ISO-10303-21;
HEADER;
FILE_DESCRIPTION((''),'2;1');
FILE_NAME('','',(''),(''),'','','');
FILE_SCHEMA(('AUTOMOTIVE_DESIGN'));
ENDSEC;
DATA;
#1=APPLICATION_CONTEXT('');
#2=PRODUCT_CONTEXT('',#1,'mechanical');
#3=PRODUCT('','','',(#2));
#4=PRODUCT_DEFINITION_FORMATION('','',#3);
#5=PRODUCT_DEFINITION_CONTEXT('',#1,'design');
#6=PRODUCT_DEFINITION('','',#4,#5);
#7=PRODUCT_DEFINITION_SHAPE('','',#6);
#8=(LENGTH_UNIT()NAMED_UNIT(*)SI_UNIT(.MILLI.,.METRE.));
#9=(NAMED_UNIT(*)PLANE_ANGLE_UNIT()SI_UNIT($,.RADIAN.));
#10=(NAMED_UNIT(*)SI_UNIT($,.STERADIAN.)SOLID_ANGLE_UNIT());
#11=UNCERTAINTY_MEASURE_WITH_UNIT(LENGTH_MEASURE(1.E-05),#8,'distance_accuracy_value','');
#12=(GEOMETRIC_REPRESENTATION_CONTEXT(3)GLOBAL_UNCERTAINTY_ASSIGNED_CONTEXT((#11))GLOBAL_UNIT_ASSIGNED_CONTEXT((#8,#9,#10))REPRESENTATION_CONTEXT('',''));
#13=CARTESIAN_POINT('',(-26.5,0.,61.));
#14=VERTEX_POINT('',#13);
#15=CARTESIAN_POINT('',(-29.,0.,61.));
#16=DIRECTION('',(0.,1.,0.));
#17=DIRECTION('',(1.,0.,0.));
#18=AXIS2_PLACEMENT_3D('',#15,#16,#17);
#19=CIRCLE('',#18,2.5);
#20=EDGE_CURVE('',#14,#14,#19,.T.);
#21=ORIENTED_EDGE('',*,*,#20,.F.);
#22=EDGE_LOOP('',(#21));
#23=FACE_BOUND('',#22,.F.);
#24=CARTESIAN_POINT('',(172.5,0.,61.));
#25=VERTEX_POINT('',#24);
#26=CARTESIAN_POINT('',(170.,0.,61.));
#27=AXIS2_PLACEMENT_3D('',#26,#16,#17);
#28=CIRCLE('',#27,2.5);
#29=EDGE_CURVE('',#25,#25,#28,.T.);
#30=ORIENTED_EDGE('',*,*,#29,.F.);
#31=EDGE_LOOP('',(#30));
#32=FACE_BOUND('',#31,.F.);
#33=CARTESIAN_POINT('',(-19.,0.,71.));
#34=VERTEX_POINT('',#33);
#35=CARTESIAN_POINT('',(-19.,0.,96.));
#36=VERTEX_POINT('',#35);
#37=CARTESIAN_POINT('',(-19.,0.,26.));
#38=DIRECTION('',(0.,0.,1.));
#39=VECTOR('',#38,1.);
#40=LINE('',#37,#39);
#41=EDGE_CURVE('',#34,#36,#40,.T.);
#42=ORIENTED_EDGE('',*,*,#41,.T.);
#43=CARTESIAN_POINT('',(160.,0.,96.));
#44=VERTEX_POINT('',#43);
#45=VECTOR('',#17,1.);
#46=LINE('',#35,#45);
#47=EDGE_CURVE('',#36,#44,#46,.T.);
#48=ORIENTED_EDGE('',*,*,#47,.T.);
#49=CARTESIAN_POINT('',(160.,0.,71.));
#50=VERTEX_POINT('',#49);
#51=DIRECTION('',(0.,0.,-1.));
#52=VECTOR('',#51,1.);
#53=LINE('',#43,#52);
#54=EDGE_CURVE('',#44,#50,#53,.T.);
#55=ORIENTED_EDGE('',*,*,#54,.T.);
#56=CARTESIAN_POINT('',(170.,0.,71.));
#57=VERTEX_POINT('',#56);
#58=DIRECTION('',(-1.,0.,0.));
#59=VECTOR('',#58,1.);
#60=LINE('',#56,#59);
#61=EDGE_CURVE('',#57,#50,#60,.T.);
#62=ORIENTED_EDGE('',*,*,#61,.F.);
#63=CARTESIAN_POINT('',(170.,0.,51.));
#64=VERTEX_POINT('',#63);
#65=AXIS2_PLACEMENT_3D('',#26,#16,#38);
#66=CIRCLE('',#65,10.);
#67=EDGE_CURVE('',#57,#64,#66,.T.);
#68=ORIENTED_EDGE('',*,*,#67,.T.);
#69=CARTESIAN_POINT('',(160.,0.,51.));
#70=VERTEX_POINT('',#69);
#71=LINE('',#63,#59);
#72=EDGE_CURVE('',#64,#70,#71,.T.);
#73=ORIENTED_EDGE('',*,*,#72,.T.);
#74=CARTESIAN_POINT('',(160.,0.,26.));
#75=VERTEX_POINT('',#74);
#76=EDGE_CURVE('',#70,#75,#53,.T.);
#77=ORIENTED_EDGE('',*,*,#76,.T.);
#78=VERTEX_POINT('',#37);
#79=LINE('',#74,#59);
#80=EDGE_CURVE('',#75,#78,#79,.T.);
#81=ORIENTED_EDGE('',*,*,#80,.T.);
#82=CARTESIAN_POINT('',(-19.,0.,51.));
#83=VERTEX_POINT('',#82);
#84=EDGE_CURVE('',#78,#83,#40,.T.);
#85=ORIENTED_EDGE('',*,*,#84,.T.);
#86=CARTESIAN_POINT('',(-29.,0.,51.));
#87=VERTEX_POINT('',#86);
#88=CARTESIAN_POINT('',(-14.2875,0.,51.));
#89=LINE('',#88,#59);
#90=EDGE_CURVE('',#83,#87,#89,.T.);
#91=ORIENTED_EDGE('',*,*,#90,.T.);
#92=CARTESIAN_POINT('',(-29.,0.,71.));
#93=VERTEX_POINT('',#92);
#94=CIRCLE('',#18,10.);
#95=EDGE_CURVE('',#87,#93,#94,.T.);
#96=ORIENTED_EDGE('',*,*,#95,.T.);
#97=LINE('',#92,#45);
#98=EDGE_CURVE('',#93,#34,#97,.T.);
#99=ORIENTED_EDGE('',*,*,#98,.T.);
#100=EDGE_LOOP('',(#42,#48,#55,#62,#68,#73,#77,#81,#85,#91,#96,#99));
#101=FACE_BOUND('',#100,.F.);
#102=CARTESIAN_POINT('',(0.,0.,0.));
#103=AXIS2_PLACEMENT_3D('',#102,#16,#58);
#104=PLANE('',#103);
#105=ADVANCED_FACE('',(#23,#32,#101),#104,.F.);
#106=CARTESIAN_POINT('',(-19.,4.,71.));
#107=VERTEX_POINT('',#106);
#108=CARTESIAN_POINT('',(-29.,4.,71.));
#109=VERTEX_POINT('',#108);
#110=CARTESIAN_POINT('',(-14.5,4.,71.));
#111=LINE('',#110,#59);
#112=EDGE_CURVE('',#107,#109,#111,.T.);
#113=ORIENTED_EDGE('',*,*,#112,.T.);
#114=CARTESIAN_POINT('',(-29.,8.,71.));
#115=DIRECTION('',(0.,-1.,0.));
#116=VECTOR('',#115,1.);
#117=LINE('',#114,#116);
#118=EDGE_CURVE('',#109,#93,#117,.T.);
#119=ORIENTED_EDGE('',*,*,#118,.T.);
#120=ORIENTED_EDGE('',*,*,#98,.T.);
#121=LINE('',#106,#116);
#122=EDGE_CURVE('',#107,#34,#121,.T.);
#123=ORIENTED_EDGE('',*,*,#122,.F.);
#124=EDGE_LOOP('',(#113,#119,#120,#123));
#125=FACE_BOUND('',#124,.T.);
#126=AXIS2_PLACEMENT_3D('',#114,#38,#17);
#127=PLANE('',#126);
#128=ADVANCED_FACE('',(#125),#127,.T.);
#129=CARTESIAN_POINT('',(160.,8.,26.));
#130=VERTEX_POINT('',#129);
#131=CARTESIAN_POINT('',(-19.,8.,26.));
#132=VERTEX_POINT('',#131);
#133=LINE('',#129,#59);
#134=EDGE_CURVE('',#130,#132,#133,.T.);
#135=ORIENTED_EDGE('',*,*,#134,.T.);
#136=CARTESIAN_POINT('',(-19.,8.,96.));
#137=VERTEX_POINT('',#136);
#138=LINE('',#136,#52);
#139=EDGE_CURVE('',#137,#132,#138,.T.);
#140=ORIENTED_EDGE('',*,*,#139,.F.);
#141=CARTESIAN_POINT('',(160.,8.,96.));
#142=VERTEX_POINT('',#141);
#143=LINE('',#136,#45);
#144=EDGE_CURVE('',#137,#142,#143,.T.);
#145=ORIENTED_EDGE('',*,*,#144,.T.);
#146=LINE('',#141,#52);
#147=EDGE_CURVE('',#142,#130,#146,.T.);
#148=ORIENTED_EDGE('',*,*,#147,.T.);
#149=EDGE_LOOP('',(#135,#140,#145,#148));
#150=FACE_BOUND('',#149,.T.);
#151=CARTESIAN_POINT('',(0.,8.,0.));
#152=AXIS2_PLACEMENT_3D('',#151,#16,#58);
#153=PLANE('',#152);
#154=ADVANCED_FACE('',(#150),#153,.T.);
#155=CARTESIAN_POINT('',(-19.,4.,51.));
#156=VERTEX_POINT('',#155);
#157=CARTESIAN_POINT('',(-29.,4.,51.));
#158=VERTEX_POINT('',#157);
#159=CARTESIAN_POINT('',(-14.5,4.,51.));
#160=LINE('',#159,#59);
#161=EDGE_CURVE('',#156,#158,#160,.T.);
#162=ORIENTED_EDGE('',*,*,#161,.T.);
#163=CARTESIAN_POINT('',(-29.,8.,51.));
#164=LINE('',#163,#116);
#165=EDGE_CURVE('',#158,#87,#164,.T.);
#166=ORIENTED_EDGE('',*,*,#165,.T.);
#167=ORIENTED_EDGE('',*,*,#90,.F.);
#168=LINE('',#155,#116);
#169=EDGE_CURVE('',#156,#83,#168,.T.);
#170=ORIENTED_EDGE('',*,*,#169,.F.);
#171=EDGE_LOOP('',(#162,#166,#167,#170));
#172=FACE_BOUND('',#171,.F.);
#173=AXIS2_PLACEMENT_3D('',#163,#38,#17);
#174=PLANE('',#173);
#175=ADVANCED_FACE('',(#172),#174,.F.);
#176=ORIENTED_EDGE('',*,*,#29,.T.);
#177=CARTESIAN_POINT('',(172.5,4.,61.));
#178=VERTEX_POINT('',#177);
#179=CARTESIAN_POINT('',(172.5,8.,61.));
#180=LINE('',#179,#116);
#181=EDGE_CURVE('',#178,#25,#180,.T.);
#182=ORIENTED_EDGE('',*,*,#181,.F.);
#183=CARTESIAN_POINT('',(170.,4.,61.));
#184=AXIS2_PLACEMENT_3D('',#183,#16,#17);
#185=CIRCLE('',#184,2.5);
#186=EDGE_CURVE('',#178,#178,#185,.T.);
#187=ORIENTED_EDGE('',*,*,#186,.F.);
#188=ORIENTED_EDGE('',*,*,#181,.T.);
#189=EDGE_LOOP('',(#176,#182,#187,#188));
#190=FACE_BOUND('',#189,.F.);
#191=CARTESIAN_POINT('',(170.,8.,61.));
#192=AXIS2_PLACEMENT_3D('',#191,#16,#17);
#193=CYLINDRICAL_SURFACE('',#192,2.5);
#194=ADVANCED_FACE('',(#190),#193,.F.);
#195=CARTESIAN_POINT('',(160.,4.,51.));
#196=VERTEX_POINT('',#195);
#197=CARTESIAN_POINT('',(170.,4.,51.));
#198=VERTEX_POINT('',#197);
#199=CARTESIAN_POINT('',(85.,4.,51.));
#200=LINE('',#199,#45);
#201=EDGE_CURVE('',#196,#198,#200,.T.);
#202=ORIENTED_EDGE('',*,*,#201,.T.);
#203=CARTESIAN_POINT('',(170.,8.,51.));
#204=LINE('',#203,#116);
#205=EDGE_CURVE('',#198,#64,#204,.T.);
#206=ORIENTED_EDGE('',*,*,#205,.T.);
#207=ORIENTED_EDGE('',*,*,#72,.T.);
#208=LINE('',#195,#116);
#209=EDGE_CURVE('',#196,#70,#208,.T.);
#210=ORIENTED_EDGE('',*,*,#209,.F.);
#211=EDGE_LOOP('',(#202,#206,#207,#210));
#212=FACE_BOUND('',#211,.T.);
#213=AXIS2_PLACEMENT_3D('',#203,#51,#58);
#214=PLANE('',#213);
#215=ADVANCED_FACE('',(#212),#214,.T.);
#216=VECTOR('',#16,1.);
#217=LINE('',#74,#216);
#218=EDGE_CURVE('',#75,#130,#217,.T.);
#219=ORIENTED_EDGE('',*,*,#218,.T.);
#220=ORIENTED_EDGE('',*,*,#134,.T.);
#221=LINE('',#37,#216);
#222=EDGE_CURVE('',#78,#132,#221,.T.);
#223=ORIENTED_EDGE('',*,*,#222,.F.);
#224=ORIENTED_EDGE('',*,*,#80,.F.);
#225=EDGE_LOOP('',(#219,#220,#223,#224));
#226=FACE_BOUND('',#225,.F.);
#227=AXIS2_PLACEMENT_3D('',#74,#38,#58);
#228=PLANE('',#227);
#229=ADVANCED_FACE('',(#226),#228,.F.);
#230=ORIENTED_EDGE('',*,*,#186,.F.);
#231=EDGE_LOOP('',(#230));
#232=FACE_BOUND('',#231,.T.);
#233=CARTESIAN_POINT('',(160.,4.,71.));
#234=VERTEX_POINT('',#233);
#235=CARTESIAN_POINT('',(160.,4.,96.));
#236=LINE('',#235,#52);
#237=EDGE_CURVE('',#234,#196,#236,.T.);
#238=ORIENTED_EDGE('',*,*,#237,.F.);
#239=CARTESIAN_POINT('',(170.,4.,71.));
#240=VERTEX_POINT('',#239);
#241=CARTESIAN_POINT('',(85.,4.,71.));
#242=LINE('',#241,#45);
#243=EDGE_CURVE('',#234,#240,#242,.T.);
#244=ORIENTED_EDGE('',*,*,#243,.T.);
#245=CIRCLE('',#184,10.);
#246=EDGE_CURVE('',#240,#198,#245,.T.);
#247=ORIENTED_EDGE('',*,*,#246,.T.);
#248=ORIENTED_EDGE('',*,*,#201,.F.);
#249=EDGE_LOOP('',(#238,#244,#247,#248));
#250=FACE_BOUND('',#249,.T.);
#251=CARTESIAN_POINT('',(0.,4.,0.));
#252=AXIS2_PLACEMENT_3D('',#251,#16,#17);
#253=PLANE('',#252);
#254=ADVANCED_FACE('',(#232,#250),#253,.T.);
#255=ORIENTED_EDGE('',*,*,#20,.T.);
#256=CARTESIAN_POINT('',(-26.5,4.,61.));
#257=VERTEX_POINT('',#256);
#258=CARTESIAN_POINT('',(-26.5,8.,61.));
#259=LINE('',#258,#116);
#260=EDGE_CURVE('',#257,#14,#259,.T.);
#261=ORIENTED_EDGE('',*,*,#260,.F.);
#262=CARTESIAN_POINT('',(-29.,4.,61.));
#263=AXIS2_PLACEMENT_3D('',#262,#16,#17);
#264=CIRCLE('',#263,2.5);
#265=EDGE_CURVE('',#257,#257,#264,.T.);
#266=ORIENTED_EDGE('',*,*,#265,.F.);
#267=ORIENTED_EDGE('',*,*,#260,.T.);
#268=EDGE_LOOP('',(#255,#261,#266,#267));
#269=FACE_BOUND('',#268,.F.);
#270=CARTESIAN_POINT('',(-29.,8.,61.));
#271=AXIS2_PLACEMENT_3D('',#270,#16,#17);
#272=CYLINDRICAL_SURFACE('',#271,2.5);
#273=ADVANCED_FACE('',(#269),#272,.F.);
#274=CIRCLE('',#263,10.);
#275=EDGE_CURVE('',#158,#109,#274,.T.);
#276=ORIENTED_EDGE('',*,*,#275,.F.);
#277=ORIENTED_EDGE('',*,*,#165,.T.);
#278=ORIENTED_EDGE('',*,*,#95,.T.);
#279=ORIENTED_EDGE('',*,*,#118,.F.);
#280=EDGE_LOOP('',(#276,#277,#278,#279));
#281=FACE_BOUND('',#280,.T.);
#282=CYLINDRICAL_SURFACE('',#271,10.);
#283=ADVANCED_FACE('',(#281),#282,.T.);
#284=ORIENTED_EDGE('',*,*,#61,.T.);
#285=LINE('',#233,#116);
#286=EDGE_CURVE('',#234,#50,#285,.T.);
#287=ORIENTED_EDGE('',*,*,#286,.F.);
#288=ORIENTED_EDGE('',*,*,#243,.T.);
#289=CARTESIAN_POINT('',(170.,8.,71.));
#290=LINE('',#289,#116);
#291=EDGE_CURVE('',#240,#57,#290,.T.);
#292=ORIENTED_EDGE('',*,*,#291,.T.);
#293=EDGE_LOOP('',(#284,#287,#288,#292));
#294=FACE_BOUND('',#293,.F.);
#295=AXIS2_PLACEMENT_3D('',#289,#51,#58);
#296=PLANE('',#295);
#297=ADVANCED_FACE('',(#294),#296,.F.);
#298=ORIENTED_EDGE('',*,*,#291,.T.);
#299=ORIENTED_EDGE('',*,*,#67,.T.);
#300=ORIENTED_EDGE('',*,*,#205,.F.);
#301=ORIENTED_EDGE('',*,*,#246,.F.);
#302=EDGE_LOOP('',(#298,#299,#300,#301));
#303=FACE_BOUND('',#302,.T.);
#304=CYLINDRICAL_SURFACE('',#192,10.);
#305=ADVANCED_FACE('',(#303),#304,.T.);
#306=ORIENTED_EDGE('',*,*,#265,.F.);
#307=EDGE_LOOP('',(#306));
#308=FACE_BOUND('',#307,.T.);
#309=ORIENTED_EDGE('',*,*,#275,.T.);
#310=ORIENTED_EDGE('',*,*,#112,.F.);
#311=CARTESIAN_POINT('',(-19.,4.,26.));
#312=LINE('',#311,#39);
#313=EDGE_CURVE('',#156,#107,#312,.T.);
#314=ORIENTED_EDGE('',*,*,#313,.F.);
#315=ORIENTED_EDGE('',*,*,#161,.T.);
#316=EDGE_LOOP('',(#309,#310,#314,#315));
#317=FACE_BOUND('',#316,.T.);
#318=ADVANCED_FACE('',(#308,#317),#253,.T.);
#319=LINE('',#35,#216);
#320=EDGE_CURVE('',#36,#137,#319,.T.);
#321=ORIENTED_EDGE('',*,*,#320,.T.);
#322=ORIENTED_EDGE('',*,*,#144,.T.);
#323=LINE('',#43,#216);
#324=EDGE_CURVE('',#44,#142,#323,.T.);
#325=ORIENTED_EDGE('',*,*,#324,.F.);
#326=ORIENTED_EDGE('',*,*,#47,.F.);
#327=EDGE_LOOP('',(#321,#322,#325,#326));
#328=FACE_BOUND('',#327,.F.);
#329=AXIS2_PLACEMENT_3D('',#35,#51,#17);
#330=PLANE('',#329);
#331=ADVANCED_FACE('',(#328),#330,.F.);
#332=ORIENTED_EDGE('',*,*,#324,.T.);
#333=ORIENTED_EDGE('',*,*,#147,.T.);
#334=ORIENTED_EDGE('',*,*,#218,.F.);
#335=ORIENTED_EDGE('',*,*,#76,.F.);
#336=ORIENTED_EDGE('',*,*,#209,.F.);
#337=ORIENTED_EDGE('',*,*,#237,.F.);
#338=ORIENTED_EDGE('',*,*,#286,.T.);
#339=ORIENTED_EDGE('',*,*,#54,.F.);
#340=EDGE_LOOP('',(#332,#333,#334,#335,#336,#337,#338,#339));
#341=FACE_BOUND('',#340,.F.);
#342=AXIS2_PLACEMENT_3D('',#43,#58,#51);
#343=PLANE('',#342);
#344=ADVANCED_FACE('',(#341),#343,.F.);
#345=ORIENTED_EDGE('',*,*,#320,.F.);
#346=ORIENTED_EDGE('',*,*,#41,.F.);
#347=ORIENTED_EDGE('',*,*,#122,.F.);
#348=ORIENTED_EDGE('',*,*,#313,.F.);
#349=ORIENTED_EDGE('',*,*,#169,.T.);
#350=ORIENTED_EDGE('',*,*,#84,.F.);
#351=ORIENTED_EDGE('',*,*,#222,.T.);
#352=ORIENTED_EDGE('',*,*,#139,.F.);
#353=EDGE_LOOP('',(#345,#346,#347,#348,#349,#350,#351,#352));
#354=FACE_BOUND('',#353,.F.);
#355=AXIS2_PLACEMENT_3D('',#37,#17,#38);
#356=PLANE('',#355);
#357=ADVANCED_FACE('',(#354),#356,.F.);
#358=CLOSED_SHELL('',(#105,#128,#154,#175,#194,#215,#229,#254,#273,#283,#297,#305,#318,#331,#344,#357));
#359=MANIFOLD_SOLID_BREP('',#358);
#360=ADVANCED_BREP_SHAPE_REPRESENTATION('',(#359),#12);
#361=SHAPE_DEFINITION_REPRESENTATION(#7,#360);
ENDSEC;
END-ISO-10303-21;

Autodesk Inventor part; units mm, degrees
ref_plane "YZ Plane" through (0, 0, 0) normal (1, 0, 0) x (0, 1, 0)
ref_plane "XZ Plane" through (0, 0, 0) normal (0, 1, 0) x (-1, 0, 0)
ref_plane "XY Plane" through (0, 0, 0) normal (0, 0, 1) x (1, 0, 0)
sketch "Sketch1" plane through (0, 0, 0) normal (0, 1, 0) x (-1, 0, 0)
  line L0 (19, 96) -> (-160, 96)
  line L1 (-160, 96) -> (-160, 26)
  line L2 (-160, 26) -> (19, 26)
  line L3 (19, 26) -> (19, 96)
  point P0 (0, 0)
  dimension "d0" = 179
  dimension "d1" = 70
extrude "Extrusion1" add sketch "Sketch1" along normal blind 8
sketch "Sketch2" plane through (0, 8, 0) normal (0, 1, 0) x (1, 0, 0)
  circle A0 centre (-29, -61) radius 10
  line L0 (-29, -71) -> (-14.7125, -71)
  line L1 (-29, -51) -> (-14.2875, -51)
  line L2 (-14.7125, -71) -> (-14.2875, -51)
  line L3 (160, -26) -> (-19, -26) projected
  line L4 (70.5, -26) -> (70.5, -114.3)
  circle A1 centre (170, -61) radius 10
  line L5 (170, -71) -> (155.7125, -71)
  line L6 (170, -51) -> (155.2875, -51)
  line L7 (155.7125, -71) -> (155.2875, -51)
  line L8 (-19, -96) -> (160, -96) projected
  line L9 (-19, -26) -> (-19, -96) projected
  point P0 (0, 0)
  point P1 (-19, -61)
  dimension "d5" = 20
  dimension "d14" = 25
  dimension "d16" = 10
extrude "Extrusion2" add sketch "Sketch2" against normal blind 8 contours A0 | L9 L0 A0 | A0 L1 L9 | L9 L1 L2 L0 | A1 | A1 L5 L7 L6
sketch "Sketch3" plane through (0, 8, 0) normal (0, 1, 0) x (1, 0, 0)
  arc A0 (-29, -51) -> (-29, -71) centre (-29, -61) ccw projected
  circle A1 centre (-29, -61) radius 2.5
  arc A2 (170, -71) -> (170, -51) centre (170, -61) ccw projected
  circle A3 centre (170, -61) radius 2.5
  point P0 (0, 0)
  dimension "d8" = 5
  dimension "d9" = 5
extrude "Extrusion3" cut sketch "Sketch3" against normal blind 8
sketch "Sketch4" plane through (0, 8, 0) normal (0, 1, 0) x (1, 0, 0)
  line L0 (-19, -26) -> (-19, -96) projected
  line L1 (-19, -41.275) -> (-45.0875, -41.275)
  line L2 (-45.0875, -41.275) -> (-45.0875, -80.9625)
  line L3 (-45.0875, -80.9625) -> (-19, -80.9625)
  line L4 (-19, -80.9625) -> (-19, -41.275)
  line L5 (160, -96) -> (160, -26) projected
  line L6 (160, -41.275) -> (180.975, -41.275)
  line L7 (180.975, -41.275) -> (180.975, -82.55)
  line L8 (180.975, -82.55) -> (160, -82.55)
  line L9 (160, -82.55) -> (160, -41.275)
  point P0 (0, 0)
  point P1 (-19, -51)
  point P2 (160, -51)
  point P3 (160, -82.55)
  point P4 (-19, -80.9625)
extrude "Extrusion4" cut sketch "Sketch4" against normal blind 4
properties part number "Fuslage cover"
